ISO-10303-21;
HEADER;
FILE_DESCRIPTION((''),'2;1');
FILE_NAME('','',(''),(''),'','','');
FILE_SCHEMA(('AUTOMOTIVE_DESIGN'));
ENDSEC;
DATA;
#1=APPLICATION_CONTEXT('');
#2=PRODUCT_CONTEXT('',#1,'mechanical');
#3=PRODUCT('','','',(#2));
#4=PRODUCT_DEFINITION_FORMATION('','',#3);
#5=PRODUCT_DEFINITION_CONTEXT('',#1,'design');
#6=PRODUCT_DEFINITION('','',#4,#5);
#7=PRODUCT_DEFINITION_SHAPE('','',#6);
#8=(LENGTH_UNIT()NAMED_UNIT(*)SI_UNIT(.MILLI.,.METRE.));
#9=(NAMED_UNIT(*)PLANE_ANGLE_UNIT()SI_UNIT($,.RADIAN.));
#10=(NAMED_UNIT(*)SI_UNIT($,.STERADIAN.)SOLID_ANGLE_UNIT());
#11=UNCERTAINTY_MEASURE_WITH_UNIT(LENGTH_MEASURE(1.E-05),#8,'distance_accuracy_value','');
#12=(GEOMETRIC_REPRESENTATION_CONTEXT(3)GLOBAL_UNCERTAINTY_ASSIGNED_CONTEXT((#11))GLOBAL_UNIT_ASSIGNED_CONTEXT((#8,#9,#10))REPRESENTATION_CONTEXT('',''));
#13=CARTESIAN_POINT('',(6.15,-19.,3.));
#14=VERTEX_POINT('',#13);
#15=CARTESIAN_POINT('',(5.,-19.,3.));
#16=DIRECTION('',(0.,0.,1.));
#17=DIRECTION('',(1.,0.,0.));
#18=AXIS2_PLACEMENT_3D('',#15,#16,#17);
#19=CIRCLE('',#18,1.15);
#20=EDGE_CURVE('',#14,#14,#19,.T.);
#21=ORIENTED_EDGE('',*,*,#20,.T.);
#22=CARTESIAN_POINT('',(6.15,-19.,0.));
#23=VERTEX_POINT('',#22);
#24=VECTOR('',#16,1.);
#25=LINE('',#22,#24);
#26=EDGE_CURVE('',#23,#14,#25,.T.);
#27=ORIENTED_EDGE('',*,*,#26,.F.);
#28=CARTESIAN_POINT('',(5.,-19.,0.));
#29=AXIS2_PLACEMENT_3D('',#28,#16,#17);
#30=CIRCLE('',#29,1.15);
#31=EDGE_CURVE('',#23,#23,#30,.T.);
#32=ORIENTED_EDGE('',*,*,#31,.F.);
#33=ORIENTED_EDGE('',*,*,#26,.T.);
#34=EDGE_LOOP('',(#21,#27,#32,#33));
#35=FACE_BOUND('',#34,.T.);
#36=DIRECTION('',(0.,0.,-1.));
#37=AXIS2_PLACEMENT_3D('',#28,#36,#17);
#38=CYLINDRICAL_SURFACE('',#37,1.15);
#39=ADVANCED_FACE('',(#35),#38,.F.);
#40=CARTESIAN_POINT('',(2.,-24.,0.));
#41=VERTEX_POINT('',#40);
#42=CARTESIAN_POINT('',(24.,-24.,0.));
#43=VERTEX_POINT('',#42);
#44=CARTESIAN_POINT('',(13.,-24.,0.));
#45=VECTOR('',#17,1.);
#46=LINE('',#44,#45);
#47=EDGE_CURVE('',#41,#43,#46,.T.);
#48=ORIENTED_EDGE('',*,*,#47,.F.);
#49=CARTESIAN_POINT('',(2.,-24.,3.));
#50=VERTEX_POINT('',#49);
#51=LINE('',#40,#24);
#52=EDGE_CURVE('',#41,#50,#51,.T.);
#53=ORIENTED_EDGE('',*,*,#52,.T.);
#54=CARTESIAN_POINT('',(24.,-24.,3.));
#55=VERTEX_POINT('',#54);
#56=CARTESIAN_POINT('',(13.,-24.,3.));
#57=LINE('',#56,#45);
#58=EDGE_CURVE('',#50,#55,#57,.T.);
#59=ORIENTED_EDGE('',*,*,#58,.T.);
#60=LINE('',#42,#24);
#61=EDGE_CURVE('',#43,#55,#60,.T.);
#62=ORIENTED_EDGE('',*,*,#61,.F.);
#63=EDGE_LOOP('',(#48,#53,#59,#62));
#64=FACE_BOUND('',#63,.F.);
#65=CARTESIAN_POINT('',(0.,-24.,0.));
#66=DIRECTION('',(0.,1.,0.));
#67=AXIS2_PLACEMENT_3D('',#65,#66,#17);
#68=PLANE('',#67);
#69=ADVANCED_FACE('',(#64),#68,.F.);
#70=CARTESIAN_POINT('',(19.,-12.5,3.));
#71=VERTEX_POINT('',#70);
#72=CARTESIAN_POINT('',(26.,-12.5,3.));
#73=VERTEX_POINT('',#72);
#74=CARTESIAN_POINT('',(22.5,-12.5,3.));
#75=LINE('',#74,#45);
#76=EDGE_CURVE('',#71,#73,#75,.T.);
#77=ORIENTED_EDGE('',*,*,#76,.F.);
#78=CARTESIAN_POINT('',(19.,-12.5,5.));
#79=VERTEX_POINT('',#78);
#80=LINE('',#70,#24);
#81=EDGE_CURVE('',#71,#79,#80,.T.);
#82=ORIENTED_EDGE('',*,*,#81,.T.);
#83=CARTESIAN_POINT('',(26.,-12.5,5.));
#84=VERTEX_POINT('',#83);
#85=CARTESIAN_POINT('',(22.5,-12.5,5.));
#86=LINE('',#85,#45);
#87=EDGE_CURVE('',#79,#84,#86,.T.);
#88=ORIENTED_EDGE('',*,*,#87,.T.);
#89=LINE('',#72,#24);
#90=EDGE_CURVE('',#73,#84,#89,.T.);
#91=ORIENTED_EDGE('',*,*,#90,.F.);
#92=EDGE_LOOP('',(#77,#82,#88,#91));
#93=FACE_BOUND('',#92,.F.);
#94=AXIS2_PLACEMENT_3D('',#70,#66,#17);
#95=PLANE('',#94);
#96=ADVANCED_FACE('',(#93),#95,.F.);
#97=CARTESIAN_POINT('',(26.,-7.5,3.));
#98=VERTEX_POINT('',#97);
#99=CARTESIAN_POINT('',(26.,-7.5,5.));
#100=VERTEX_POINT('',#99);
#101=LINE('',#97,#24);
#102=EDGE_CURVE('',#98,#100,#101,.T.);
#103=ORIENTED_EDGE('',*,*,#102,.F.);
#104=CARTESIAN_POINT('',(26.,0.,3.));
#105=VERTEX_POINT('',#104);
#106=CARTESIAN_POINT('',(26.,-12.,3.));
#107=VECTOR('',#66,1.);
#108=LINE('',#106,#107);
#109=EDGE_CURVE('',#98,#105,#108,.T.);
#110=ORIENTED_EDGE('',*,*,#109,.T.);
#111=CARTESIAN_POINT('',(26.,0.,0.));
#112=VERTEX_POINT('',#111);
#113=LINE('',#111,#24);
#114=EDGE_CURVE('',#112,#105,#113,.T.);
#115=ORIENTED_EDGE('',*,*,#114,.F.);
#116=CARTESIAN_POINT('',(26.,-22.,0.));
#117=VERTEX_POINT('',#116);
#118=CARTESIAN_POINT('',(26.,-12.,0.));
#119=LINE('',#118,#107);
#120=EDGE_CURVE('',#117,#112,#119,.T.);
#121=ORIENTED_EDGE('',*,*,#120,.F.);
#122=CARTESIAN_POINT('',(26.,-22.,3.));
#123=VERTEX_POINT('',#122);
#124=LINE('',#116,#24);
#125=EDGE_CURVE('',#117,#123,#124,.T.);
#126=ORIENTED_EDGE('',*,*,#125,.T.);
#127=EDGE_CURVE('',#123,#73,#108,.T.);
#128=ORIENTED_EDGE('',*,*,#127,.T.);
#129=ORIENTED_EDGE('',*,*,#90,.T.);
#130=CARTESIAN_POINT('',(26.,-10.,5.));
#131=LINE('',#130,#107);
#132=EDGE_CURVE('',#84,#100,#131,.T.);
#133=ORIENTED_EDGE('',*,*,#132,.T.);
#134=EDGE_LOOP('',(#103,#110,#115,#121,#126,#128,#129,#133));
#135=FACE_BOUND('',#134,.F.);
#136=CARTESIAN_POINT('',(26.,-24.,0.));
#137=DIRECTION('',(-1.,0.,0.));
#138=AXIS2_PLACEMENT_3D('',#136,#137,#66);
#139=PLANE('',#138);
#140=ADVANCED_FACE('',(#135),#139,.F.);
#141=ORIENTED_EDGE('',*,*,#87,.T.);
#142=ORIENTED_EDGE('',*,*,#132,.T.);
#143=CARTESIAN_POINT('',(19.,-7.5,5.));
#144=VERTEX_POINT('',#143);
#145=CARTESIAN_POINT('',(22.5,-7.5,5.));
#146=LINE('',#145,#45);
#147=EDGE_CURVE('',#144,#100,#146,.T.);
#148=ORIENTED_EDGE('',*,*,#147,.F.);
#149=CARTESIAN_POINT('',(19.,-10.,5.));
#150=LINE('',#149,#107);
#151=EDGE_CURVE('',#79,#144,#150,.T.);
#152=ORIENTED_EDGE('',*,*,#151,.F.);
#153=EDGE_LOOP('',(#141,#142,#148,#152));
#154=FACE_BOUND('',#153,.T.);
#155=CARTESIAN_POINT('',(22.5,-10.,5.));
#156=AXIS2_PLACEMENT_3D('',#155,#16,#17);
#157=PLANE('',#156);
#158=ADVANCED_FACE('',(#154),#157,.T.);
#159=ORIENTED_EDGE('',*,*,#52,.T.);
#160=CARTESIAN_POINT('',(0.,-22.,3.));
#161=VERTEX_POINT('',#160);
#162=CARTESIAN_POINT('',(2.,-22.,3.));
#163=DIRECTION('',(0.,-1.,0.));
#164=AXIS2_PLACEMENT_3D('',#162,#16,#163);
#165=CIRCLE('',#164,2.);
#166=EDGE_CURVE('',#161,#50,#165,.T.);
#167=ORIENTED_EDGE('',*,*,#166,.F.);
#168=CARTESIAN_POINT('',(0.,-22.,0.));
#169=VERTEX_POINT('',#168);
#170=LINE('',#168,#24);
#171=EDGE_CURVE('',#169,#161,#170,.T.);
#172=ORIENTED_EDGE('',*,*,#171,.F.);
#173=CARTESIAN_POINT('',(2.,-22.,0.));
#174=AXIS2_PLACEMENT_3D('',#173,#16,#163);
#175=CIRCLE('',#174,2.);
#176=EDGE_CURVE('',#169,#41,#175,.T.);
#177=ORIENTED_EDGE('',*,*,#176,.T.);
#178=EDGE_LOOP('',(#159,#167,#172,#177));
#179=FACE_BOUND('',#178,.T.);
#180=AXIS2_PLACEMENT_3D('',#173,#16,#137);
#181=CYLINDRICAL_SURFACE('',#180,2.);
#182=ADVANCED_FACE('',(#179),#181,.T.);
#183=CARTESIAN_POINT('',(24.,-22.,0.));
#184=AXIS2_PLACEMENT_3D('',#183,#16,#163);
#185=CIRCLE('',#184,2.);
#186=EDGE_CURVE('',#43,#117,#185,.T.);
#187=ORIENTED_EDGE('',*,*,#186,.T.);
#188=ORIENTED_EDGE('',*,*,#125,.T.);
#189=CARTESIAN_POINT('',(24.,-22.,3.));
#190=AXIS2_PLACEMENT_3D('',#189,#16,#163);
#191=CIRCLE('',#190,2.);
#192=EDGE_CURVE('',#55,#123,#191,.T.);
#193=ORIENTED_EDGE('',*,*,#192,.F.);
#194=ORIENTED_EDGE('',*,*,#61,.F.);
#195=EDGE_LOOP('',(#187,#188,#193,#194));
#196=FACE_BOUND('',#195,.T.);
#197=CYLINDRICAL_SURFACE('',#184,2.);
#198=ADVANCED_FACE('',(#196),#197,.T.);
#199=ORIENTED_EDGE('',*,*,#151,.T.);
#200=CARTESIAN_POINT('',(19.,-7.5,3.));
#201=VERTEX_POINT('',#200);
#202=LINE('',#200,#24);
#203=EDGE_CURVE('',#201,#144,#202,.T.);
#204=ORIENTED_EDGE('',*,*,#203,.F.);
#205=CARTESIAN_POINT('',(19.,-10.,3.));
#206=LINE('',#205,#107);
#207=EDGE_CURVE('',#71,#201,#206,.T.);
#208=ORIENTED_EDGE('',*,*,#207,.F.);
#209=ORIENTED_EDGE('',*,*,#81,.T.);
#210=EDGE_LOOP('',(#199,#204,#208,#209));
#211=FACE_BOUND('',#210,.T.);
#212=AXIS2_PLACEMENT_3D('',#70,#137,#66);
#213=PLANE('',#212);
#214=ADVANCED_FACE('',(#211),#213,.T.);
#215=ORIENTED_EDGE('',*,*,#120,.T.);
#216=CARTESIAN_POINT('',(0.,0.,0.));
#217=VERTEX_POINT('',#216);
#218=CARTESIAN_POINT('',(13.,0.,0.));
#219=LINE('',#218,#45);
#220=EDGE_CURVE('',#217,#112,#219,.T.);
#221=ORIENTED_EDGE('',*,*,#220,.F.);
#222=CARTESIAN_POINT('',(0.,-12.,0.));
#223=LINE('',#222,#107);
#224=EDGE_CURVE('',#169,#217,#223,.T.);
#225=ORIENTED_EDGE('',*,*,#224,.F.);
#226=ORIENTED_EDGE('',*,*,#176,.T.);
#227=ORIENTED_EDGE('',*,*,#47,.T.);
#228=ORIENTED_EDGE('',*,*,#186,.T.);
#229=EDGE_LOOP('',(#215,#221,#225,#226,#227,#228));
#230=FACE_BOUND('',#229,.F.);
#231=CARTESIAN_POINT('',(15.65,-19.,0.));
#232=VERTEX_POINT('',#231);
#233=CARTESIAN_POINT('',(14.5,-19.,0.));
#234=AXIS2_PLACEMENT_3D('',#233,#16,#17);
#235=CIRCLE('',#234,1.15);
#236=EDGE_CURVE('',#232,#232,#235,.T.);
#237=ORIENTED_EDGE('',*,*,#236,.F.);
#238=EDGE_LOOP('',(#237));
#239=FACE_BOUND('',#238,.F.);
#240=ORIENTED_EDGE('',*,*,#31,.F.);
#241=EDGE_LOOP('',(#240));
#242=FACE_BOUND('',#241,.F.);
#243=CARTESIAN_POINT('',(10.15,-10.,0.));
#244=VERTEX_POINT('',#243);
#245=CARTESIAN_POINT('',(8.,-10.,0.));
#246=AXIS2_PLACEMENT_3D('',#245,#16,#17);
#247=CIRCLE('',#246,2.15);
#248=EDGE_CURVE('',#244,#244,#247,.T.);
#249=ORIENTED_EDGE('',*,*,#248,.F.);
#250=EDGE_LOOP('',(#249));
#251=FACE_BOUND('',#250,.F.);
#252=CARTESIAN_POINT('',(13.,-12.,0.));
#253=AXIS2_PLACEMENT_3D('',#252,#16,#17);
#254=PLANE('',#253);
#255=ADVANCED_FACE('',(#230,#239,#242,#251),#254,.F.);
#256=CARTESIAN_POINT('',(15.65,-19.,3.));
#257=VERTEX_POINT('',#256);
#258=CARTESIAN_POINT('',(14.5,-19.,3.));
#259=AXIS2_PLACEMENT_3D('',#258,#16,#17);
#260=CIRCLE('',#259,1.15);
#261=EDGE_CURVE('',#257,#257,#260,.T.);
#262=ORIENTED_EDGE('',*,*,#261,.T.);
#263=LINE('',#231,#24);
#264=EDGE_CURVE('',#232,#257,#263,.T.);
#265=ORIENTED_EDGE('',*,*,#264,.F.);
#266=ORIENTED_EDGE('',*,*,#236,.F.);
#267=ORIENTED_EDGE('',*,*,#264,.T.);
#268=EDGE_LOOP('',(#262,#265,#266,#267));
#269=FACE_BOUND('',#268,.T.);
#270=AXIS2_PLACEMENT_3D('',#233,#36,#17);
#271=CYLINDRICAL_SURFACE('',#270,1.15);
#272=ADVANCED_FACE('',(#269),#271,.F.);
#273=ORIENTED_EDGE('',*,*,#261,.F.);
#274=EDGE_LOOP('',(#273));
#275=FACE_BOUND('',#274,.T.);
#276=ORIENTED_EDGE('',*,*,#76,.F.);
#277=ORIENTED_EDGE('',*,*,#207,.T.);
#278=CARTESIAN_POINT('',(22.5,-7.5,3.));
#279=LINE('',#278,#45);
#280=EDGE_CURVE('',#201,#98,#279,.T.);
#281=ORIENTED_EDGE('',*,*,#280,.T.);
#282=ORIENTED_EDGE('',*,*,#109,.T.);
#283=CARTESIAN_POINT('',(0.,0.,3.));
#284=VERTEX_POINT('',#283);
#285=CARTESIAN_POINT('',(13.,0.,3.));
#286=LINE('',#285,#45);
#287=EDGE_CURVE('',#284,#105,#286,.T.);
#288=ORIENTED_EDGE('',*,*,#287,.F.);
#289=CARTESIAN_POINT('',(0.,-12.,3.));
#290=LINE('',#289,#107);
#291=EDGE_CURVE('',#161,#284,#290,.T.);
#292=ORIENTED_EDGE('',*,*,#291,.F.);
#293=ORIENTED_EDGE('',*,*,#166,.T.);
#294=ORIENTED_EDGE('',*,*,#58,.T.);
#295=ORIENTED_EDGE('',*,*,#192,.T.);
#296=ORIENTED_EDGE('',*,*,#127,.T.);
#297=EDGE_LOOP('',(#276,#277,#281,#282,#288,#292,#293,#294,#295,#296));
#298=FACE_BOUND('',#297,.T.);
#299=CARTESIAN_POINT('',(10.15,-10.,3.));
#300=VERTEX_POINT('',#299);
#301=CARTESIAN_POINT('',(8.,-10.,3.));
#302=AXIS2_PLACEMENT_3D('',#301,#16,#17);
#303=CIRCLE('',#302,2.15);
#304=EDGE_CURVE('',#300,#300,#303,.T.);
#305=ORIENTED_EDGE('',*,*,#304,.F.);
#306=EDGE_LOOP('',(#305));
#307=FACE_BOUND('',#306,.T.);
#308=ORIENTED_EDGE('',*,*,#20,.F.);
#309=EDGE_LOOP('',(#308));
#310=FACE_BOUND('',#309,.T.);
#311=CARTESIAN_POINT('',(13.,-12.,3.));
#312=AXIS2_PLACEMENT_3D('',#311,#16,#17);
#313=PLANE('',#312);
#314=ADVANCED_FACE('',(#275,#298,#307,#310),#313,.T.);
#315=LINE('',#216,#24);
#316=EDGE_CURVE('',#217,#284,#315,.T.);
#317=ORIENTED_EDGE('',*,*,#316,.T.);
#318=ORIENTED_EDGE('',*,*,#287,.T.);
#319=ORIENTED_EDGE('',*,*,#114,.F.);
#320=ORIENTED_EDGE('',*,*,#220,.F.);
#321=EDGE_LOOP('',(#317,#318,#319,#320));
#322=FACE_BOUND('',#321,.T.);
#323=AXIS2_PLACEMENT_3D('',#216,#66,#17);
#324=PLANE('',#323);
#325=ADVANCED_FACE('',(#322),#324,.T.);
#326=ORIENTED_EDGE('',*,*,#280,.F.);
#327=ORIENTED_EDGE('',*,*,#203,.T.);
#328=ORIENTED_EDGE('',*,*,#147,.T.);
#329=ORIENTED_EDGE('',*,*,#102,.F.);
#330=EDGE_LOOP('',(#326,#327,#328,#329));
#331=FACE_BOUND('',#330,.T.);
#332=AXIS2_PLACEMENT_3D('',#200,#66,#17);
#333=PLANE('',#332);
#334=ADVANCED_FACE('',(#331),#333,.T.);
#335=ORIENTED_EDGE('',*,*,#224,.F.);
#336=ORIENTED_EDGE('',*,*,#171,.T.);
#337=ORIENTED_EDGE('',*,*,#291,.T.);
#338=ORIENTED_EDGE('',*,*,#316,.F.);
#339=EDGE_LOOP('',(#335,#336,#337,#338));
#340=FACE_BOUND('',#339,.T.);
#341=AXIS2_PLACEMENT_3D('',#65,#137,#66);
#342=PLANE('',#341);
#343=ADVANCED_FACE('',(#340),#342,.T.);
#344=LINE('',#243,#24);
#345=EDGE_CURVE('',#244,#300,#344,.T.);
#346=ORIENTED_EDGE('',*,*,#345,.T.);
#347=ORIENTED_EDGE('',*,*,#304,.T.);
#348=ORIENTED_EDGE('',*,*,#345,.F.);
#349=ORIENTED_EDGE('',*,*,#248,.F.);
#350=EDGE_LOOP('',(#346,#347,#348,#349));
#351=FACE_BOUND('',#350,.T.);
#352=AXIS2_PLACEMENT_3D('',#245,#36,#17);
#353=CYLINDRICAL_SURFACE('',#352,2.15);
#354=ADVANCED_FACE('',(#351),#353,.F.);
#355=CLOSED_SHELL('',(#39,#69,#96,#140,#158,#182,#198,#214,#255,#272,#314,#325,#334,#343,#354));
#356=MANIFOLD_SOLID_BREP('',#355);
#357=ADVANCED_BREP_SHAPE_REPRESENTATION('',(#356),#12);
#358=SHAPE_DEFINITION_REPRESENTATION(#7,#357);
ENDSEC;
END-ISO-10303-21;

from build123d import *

# Parameters (mm, degrees)
F0_W     = 26
F0_H     = 24
F0_R     = 1.15
F0_R_2   = 2.15
F1_DEPTH = 3
F2_W     = 7
F2_H     = 5
F3_DEPTH = 2
F4_R     = 2


with BuildPart() as f1:
    # F0 (on Top) → F1 (new body)
    with BuildSketch(Plane.XY):
        with Locations((13, -12)):
            Rectangle(F0_W, F0_H)
        with Locations((5, -19)):
            Circle(F0_R, mode=Mode.SUBTRACT)
        with Locations((14.5, -19)):
            Circle(F0_R, mode=Mode.SUBTRACT)
        with Locations((8, -10)):
            Circle(F0_R_2, mode=Mode.SUBTRACT)
    extrude(amount=F1_DEPTH)

    # F2 (on face) → F3 (join)
    with BuildSketch(Plane.XY.offset(3)):
        with Locations((22.5, -10)):
            Rectangle(F2_W, F2_H)
    extrude(amount=F3_DEPTH)

    # F4
    f4_edges = [f1.edges().sort_by_distance(p)[0] for p in [
        (0, -24, 1.5),
        (26, -24, 1.5),
    ]]
    fillet(f4_edges, radius=F4_R)


solid = f1.part
